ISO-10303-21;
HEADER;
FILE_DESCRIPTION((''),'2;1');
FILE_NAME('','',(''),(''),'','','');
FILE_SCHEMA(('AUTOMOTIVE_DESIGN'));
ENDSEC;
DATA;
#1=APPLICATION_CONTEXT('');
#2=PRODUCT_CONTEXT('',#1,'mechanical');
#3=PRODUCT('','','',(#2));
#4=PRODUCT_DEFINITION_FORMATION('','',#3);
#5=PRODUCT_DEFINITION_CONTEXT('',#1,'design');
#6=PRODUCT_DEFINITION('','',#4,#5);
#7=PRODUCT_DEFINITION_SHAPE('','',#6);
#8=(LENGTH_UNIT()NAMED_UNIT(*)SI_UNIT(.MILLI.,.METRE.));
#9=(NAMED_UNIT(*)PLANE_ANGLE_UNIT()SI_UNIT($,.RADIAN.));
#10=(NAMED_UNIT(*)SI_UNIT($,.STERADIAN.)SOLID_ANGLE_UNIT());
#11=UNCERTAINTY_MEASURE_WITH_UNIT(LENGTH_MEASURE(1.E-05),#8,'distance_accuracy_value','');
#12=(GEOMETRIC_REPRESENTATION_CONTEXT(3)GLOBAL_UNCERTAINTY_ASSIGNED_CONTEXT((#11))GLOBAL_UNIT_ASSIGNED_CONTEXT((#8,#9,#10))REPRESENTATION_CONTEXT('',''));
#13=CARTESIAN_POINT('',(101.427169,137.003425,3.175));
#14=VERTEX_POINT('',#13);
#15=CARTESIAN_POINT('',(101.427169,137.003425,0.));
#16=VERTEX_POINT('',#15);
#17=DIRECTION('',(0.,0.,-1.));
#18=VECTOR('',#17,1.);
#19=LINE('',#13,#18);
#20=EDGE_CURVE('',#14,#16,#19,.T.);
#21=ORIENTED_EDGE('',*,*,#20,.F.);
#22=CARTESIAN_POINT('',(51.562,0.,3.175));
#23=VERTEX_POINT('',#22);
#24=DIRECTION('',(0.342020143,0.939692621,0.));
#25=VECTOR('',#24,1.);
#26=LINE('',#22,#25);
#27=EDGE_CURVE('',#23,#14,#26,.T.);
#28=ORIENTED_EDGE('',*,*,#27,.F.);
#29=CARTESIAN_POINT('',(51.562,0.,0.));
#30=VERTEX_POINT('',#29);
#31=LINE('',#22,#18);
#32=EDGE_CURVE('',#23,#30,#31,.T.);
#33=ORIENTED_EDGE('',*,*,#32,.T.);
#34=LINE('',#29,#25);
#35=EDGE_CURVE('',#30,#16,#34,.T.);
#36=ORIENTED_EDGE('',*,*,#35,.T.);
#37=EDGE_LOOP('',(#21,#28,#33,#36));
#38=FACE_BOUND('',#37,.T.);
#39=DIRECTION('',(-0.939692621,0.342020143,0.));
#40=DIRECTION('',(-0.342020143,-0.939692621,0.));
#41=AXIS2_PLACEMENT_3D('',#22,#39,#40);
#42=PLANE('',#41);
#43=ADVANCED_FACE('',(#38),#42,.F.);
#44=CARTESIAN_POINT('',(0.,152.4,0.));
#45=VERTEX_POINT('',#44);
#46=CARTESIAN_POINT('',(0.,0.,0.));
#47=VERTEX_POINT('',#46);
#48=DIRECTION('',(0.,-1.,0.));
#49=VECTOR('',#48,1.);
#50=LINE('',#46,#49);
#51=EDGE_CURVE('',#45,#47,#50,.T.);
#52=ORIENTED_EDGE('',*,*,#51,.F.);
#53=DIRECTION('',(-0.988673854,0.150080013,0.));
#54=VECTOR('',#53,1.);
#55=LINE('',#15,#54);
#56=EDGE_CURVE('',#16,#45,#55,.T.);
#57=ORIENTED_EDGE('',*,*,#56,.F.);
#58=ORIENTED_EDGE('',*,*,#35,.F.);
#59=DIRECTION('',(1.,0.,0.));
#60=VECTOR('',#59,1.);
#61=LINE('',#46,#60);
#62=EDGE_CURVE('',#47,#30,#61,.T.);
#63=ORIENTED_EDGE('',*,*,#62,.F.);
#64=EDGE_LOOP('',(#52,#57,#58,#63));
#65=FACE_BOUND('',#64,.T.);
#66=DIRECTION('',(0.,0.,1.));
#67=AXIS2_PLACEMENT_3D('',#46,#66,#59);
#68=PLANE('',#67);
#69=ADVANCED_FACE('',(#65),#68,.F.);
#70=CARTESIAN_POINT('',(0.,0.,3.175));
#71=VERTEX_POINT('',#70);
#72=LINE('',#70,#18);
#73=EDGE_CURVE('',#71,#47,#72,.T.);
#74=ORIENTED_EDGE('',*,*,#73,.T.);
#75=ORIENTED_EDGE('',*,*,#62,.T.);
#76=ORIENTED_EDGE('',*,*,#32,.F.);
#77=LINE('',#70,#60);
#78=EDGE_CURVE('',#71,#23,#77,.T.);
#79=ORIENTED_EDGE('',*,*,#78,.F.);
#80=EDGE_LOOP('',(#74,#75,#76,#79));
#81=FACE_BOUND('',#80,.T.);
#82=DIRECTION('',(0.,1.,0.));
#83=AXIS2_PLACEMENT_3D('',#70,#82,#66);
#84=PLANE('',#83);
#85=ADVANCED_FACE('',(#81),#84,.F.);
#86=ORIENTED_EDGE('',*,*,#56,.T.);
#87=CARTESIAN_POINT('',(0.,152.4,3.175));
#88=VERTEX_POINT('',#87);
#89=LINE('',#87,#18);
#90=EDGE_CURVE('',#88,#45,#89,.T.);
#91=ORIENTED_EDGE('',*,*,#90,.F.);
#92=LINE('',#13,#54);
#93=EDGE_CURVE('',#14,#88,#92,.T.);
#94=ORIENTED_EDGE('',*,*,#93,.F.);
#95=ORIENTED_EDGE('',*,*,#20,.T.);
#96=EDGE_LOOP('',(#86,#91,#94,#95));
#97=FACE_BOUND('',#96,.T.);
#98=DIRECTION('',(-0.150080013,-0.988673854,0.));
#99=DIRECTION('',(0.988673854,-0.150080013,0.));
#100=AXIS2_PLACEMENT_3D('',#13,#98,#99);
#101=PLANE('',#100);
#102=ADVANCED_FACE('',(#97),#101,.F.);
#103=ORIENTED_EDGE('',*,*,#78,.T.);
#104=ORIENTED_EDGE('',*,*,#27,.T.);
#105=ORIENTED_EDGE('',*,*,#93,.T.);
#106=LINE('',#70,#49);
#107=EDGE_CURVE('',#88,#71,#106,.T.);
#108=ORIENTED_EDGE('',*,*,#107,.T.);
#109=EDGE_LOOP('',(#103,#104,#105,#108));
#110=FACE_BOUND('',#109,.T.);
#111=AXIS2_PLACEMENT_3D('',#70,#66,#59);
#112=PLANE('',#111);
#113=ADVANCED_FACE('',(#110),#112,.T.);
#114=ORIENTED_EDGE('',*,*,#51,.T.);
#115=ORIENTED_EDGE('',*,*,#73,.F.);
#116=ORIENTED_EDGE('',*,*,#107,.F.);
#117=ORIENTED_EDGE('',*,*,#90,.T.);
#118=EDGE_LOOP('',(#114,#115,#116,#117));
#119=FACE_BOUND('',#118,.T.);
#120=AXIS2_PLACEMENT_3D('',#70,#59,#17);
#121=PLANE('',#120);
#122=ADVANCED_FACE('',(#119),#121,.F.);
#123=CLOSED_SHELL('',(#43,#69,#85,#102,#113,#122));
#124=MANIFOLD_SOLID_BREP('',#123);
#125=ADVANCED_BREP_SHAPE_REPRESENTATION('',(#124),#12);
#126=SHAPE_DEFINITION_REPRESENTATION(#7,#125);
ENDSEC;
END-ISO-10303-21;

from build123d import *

# Parameters (mm, degrees)
BOSS_EXTRUDE1_DEPTH = 3.175


with BuildPart() as part:
    # Sketch1 → Boss-Extrude1 (new body)
    with BuildSketch(Plane.XY):
        Polygon((0, 0), (0, 152.4), (101.427168816, 137.00342534), (51.562, 0), align=None)
    extrude(amount=BOSS_EXTRUDE1_DEPTH)


solid = part.part
